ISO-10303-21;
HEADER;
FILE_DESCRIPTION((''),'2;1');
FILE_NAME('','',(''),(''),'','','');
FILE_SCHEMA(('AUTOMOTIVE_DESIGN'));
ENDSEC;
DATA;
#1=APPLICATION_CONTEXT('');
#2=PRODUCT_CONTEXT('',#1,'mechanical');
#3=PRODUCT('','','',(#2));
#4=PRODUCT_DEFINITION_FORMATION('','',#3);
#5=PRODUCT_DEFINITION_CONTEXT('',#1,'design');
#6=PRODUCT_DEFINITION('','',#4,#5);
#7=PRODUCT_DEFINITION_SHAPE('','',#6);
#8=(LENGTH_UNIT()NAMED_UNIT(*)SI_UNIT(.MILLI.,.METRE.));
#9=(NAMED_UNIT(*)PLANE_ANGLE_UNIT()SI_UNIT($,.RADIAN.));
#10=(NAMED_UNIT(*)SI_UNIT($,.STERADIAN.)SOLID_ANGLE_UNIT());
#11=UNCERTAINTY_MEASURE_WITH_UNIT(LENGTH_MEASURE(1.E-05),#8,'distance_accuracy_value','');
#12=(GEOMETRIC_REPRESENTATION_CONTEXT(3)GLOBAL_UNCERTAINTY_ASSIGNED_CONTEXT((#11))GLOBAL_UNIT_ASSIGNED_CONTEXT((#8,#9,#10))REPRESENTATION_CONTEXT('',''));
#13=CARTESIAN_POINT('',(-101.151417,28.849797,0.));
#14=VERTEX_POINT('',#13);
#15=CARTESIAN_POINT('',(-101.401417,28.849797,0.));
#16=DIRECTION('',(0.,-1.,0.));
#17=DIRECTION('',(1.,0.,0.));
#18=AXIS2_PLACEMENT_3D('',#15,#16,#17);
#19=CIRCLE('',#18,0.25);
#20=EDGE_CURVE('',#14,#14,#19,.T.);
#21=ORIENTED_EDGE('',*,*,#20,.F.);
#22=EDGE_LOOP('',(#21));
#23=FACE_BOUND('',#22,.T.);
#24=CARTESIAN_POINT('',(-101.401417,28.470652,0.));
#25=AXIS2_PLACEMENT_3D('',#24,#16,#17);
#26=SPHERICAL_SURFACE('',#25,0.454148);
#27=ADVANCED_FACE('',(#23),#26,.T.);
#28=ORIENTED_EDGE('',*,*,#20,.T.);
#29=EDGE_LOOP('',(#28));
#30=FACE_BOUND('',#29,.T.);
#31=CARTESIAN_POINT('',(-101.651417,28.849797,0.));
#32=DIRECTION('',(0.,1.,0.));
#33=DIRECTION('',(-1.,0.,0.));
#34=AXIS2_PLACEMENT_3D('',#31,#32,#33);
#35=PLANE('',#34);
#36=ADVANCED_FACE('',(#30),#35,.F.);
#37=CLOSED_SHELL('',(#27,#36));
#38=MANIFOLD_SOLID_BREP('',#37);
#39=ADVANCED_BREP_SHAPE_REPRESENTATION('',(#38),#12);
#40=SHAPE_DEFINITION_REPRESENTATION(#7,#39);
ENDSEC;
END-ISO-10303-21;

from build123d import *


with BuildPart() as part:
    # Sketch1 → Revolve4 (revolve)
    with BuildSketch(Plane.XY, mode=Mode.PRIVATE) as revolve4_sk:
        with BuildLine():
            Line((-101.651417422, 28.849797234), (-101.401417422, 28.849797234))
            Line((-101.401417422, 28.849797234), (-101.401417422, 28.924800828))
            ThreePointArc((-101.401417422, 28.924800828), (-101.53192177, 28.905645978), (-101.651417422, 28.849797234))
        make_face()
    revolve(revolve4_sk.sketch.rotate(Axis((-101.401417422, 28.849797234, 0), (0, 1, 0)), 180), axis=Axis((-101.401417422, 28.849797234, 0), (0, 1, 0)))


solid = part.part
